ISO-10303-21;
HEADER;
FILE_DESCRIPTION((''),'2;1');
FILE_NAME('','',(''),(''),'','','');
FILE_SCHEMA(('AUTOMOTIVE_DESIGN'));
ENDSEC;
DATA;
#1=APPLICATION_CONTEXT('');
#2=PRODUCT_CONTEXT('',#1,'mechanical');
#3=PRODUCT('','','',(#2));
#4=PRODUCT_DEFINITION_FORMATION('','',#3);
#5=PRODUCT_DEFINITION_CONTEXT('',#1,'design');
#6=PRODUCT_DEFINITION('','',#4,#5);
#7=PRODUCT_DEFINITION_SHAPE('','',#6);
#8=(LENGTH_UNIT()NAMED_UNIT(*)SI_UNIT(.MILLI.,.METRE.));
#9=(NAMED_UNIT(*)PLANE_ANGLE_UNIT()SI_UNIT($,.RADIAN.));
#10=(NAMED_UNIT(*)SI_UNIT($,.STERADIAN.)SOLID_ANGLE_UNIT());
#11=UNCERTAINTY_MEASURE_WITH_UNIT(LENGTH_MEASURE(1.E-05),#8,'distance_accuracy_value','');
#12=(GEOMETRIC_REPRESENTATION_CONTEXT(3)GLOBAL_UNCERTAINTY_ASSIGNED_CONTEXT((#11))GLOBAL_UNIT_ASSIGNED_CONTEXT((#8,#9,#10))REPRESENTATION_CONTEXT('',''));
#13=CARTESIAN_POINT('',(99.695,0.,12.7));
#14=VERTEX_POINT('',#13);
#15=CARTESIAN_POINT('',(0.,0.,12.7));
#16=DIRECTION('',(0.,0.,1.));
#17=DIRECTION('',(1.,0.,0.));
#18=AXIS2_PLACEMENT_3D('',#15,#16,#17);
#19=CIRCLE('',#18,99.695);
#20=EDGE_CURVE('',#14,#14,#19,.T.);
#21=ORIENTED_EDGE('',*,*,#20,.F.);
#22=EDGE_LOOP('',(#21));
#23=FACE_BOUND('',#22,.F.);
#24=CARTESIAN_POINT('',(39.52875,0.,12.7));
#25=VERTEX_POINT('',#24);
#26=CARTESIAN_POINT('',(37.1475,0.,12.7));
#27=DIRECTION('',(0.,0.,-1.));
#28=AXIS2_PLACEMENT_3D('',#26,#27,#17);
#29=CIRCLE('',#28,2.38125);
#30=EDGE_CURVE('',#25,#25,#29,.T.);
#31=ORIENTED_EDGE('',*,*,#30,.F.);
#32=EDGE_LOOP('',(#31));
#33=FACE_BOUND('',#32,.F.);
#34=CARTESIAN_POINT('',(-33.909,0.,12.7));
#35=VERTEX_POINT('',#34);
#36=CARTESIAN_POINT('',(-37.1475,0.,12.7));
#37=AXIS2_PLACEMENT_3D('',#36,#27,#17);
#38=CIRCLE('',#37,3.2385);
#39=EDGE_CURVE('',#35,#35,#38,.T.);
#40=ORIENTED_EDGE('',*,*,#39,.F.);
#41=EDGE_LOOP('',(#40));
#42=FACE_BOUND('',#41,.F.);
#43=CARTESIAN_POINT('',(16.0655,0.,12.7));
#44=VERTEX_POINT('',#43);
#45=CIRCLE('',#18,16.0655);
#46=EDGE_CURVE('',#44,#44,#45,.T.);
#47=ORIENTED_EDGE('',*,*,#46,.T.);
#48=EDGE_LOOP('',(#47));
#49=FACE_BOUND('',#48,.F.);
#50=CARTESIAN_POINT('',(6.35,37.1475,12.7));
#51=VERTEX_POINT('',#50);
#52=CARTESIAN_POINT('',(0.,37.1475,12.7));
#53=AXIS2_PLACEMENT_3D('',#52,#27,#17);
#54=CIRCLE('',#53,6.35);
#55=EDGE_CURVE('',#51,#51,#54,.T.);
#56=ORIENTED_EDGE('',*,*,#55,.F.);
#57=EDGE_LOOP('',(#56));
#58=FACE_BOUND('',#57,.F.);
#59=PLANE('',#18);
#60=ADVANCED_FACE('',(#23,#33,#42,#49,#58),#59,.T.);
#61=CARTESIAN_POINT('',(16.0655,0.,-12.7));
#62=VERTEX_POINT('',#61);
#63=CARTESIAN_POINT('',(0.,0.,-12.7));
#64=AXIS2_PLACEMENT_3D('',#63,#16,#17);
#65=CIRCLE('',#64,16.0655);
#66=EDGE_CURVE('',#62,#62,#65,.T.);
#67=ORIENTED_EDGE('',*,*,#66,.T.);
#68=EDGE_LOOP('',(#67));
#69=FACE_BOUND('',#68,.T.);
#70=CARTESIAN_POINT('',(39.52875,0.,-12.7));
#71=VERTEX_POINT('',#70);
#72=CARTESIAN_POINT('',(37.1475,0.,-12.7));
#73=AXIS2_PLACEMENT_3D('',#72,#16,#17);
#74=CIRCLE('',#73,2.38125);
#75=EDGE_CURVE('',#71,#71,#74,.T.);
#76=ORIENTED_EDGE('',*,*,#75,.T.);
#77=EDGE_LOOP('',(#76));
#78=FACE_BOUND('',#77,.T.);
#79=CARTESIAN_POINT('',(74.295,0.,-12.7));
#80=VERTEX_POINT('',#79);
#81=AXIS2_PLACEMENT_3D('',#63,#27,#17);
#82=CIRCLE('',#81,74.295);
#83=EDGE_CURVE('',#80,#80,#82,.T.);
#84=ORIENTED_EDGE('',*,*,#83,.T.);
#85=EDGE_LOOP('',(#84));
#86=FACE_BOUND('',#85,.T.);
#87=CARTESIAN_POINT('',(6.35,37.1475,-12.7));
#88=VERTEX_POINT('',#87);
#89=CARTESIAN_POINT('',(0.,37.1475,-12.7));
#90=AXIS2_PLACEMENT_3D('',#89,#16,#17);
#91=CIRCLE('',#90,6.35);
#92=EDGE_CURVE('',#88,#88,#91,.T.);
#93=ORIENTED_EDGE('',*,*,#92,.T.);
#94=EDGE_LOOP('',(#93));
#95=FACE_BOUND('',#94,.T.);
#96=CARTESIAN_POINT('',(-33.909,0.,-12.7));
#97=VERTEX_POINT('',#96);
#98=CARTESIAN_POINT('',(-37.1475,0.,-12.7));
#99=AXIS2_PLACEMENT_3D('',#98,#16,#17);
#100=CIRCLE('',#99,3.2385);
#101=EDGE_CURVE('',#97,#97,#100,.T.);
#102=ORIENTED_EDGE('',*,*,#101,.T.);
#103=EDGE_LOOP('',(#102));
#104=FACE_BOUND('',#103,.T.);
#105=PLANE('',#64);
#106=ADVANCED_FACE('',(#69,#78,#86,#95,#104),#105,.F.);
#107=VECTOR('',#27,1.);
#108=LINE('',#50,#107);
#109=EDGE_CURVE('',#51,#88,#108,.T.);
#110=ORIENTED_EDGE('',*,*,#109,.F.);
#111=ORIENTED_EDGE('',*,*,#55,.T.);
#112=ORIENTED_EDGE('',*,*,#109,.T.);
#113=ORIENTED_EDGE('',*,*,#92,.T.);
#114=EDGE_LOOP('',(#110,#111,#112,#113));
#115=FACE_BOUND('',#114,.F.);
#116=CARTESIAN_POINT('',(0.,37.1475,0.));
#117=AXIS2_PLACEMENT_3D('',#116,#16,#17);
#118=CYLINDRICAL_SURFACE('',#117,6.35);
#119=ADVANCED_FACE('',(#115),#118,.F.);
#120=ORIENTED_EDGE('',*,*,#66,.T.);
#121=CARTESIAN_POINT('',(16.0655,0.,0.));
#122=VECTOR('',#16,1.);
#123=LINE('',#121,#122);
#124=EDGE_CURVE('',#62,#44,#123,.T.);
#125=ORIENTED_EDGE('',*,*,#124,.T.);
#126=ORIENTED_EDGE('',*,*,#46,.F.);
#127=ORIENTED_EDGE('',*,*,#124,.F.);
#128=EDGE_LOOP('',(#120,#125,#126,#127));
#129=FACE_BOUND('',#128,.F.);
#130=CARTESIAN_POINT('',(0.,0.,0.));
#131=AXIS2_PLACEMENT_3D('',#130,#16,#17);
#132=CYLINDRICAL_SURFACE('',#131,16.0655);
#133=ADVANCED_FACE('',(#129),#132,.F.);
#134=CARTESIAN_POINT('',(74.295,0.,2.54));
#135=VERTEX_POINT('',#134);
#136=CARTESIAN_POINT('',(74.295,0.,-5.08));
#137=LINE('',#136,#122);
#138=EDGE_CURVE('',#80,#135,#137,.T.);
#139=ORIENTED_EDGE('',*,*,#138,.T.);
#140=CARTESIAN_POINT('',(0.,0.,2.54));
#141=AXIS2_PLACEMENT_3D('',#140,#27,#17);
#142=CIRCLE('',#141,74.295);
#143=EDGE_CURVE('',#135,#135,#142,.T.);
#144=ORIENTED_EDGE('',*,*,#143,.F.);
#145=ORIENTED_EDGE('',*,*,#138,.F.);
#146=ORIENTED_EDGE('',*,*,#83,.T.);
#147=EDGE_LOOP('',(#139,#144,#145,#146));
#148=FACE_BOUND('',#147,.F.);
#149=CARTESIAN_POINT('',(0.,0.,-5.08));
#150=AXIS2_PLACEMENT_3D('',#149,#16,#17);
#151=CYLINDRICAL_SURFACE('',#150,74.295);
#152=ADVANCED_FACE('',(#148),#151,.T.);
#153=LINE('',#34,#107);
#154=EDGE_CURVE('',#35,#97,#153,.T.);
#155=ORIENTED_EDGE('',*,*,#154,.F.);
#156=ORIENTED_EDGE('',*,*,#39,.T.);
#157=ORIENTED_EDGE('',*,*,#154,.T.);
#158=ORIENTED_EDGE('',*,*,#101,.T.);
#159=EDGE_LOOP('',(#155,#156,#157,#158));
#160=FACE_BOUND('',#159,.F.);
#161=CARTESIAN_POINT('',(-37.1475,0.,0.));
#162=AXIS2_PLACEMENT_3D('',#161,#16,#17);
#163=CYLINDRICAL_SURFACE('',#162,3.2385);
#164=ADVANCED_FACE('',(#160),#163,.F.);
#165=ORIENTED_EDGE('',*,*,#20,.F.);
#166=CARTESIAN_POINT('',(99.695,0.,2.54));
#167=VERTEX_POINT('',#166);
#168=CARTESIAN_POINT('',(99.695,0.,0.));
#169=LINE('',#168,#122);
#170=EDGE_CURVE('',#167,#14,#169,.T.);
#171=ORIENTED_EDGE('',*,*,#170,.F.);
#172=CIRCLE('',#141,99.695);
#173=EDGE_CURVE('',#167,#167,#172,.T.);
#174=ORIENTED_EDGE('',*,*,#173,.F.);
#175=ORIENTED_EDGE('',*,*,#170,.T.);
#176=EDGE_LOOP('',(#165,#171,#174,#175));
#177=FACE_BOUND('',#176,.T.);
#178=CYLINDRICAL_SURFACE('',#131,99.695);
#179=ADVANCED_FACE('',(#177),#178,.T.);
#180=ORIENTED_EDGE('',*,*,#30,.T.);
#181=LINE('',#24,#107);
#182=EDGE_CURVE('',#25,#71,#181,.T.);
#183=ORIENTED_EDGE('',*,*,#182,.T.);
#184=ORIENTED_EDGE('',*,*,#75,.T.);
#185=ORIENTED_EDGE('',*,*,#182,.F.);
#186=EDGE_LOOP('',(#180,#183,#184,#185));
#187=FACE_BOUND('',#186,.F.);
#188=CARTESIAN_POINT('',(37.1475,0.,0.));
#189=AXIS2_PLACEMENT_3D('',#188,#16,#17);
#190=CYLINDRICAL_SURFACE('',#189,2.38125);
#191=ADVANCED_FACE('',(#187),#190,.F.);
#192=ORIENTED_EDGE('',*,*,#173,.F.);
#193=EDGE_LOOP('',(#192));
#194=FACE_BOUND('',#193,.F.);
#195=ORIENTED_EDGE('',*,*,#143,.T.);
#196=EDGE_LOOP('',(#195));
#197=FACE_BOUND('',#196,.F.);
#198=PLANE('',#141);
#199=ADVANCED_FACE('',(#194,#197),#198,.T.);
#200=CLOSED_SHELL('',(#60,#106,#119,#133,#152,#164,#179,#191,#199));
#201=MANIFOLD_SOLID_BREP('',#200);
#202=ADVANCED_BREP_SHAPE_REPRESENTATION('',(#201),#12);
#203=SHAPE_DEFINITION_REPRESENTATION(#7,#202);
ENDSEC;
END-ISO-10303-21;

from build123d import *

# Parameters (mm, degrees)
F0_W          = 83.6295
F0_H          = 25.4
F2_R          = 2.38125
F2_R_2        = 3.2385
F2_R_3        = 6.35
F3_DEPTH      = 12.701
F3_DEPTH_BACK = 12.701
F4_W          = 25.4
F4_H          = 15.24


with BuildPart() as f1:
    # F0 (on Front) → F1 (revolve)
    with BuildSketch(Plane.XZ):
        with Locations((57.88025, 0)):
            Rectangle(F0_W, F0_H)
    revolve(axis=Axis((0, 0, 0), (0, 0, 1)))

    # F2 (on Top) → F3 (cut, two sides)
    with BuildSketch(Plane.XY) as f3_sk:
        with Locations((37.1475, 0)):
            Circle(F2_R)
        with Locations((-37.1475, 0)):
            Circle(F2_R_2)
        with Locations((0, 37.1475)):
            Circle(F2_R_3)
    extrude(amount=-F3_DEPTH, mode=Mode.SUBTRACT)
    extrude(f3_sk.sketch, amount=F3_DEPTH_BACK, mode=Mode.SUBTRACT)

    # F4 (on Front) → F5 (revolve, cut)
    with BuildSketch(Plane.XZ):
        with Locations((86.995, -5.08)):
            Rectangle(F4_W, F4_H)
    revolve(axis=Axis((0, 0, 0.5814679898), (0, 0, -1)), mode=Mode.SUBTRACT)


solid = f1.part
